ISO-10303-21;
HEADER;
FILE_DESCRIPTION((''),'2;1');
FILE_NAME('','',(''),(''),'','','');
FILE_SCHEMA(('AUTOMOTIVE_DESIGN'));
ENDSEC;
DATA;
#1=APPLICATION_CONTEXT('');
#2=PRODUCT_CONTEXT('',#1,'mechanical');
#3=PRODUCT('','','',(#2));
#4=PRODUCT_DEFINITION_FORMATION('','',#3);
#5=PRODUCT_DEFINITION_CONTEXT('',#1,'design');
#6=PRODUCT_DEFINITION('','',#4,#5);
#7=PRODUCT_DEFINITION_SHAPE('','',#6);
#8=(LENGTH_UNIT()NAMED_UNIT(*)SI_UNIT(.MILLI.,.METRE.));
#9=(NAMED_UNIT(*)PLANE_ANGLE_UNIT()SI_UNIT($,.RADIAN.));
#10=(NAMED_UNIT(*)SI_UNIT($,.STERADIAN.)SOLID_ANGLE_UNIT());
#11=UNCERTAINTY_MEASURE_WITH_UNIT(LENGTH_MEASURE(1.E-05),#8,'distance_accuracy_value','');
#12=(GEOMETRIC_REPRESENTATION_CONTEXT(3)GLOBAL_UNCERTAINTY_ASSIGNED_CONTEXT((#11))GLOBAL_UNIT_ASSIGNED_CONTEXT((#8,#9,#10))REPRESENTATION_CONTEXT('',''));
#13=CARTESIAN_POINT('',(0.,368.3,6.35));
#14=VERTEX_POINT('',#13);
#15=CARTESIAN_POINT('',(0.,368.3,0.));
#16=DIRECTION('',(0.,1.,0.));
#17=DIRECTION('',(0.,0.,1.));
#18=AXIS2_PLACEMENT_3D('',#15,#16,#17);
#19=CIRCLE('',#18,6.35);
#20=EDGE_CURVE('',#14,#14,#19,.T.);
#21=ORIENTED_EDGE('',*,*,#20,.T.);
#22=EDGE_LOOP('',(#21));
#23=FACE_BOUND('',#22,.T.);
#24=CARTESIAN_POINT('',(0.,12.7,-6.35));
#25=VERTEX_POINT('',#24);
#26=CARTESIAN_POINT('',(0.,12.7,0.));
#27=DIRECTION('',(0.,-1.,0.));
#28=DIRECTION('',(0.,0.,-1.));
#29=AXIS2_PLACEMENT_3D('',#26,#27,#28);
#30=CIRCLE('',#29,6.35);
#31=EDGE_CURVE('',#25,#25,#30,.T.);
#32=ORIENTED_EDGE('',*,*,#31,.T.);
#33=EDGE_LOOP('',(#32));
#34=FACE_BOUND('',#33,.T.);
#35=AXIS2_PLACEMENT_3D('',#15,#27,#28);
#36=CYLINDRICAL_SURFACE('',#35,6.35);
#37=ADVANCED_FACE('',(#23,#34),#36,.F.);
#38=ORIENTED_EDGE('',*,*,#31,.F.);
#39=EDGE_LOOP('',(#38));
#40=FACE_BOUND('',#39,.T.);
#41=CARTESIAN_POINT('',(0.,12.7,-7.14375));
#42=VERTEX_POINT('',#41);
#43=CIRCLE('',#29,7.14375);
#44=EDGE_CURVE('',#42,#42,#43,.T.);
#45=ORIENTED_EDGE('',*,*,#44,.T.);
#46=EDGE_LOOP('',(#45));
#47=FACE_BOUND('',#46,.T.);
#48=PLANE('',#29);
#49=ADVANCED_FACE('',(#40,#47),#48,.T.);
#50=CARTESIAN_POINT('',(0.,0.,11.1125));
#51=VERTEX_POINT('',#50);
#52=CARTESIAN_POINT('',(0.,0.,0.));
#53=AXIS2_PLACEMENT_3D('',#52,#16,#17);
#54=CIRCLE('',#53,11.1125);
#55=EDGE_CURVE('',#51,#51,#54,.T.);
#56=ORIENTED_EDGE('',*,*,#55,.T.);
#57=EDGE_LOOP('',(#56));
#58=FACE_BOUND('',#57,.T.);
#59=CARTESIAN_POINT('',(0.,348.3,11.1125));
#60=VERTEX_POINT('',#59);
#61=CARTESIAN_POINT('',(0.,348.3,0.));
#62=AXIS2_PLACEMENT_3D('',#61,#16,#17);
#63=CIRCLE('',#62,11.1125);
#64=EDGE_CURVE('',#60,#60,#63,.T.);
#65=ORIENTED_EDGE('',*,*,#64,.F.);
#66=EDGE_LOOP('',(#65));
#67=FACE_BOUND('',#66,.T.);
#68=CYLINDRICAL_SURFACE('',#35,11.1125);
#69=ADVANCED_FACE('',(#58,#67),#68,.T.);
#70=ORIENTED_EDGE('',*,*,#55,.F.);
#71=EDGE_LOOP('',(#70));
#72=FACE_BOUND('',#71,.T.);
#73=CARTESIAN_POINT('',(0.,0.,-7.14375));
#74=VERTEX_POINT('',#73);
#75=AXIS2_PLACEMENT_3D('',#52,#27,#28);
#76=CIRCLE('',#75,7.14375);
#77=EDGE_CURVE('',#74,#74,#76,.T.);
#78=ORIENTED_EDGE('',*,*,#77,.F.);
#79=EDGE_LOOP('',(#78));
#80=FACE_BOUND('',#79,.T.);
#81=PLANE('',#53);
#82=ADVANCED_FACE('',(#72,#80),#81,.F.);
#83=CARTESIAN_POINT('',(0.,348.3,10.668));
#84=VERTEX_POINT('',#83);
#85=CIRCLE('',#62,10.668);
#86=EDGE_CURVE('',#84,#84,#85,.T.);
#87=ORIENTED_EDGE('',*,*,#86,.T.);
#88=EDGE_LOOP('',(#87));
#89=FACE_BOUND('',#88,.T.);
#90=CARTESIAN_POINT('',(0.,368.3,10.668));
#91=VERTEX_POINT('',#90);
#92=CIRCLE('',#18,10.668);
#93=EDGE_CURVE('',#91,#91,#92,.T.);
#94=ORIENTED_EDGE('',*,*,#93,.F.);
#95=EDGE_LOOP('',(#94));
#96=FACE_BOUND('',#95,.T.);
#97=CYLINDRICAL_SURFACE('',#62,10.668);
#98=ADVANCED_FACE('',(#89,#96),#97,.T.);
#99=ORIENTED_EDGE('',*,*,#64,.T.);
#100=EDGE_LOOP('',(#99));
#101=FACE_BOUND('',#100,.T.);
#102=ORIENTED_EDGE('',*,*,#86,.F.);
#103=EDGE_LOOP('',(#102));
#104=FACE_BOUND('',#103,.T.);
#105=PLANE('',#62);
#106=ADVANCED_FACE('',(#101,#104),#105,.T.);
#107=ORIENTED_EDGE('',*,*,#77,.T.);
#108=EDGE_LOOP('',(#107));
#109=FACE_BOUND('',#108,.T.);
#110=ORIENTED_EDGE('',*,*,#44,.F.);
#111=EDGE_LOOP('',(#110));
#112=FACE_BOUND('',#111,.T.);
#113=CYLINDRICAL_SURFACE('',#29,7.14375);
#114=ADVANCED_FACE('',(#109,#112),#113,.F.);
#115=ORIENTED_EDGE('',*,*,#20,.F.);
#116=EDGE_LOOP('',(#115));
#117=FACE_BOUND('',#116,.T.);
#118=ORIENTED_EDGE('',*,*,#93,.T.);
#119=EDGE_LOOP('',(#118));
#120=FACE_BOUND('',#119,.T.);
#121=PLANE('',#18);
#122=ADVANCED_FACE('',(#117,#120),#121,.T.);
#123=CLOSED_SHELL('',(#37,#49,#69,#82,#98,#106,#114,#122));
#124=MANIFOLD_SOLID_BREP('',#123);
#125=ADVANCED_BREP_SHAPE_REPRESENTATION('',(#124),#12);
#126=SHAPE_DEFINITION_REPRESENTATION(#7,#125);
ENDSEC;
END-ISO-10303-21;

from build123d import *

# Parameters (mm, degrees)
SKETCH1_R           = 11.1125
SKETCH1_R_2         = 6.35
BOSS_EXTRUDE1_DEPTH = 368.3
CUT_EXTRUDE1_START  = -20
SKETCH2_R           = 11.1125
SKETCH2_R_2         = 10.668
CUT_EXTRUDE1_DEPTH  = 20
SKETCH3_R           = 7.14375
SKETCH3_R_2         = 6.35
CUT_EXTRUDE2_DEPTH  = 12.7


with BuildPart() as part:
    # Sketch1 → Boss-Extrude1 (new body)
    with BuildSketch(Plane(origin=(0, 0, 0), x_dir=(1, 0, 0), z_dir=(0, 1, 0))):
        with Locations(Location((0, 0, 0), (0, 0, 270))):
            Circle(SKETCH1_R)
        with Locations(Location((0, 0, 0), (0, 0, 270))):
            Circle(SKETCH1_R_2, mode=Mode.SUBTRACT)
    extrude(amount=BOSS_EXTRUDE1_DEPTH)

    # Sketch2 → Cut-Extrude1 (cut)
    with BuildSketch(Plane(origin=(0, 368.3, 0), x_dir=(1, 0, 0), z_dir=(0, 1, 0)).offset(CUT_EXTRUDE1_START)):
        with Locations(Location((0, 0, 0), (0, 0, 270))):
            Circle(SKETCH2_R)
        with Locations(Location((0, 0, 0), (0, 0, 270))):
            Circle(SKETCH2_R_2, mode=Mode.SUBTRACT)
    extrude(amount=CUT_EXTRUDE1_DEPTH, mode=Mode.SUBTRACT)

    # Sketch3 → Cut-Extrude2 (cut)
    with BuildSketch(Plane.XZ):
        with Locations(Location((0, 0, 0), (0, 0, 270))):
            Circle(SKETCH3_R)
        with Locations(Location((0, 0, 0), (0, 0, 270))):
            Circle(SKETCH3_R_2, mode=Mode.SUBTRACT)
    extrude(amount=-CUT_EXTRUDE2_DEPTH, mode=Mode.SUBTRACT)


solid = part.part
